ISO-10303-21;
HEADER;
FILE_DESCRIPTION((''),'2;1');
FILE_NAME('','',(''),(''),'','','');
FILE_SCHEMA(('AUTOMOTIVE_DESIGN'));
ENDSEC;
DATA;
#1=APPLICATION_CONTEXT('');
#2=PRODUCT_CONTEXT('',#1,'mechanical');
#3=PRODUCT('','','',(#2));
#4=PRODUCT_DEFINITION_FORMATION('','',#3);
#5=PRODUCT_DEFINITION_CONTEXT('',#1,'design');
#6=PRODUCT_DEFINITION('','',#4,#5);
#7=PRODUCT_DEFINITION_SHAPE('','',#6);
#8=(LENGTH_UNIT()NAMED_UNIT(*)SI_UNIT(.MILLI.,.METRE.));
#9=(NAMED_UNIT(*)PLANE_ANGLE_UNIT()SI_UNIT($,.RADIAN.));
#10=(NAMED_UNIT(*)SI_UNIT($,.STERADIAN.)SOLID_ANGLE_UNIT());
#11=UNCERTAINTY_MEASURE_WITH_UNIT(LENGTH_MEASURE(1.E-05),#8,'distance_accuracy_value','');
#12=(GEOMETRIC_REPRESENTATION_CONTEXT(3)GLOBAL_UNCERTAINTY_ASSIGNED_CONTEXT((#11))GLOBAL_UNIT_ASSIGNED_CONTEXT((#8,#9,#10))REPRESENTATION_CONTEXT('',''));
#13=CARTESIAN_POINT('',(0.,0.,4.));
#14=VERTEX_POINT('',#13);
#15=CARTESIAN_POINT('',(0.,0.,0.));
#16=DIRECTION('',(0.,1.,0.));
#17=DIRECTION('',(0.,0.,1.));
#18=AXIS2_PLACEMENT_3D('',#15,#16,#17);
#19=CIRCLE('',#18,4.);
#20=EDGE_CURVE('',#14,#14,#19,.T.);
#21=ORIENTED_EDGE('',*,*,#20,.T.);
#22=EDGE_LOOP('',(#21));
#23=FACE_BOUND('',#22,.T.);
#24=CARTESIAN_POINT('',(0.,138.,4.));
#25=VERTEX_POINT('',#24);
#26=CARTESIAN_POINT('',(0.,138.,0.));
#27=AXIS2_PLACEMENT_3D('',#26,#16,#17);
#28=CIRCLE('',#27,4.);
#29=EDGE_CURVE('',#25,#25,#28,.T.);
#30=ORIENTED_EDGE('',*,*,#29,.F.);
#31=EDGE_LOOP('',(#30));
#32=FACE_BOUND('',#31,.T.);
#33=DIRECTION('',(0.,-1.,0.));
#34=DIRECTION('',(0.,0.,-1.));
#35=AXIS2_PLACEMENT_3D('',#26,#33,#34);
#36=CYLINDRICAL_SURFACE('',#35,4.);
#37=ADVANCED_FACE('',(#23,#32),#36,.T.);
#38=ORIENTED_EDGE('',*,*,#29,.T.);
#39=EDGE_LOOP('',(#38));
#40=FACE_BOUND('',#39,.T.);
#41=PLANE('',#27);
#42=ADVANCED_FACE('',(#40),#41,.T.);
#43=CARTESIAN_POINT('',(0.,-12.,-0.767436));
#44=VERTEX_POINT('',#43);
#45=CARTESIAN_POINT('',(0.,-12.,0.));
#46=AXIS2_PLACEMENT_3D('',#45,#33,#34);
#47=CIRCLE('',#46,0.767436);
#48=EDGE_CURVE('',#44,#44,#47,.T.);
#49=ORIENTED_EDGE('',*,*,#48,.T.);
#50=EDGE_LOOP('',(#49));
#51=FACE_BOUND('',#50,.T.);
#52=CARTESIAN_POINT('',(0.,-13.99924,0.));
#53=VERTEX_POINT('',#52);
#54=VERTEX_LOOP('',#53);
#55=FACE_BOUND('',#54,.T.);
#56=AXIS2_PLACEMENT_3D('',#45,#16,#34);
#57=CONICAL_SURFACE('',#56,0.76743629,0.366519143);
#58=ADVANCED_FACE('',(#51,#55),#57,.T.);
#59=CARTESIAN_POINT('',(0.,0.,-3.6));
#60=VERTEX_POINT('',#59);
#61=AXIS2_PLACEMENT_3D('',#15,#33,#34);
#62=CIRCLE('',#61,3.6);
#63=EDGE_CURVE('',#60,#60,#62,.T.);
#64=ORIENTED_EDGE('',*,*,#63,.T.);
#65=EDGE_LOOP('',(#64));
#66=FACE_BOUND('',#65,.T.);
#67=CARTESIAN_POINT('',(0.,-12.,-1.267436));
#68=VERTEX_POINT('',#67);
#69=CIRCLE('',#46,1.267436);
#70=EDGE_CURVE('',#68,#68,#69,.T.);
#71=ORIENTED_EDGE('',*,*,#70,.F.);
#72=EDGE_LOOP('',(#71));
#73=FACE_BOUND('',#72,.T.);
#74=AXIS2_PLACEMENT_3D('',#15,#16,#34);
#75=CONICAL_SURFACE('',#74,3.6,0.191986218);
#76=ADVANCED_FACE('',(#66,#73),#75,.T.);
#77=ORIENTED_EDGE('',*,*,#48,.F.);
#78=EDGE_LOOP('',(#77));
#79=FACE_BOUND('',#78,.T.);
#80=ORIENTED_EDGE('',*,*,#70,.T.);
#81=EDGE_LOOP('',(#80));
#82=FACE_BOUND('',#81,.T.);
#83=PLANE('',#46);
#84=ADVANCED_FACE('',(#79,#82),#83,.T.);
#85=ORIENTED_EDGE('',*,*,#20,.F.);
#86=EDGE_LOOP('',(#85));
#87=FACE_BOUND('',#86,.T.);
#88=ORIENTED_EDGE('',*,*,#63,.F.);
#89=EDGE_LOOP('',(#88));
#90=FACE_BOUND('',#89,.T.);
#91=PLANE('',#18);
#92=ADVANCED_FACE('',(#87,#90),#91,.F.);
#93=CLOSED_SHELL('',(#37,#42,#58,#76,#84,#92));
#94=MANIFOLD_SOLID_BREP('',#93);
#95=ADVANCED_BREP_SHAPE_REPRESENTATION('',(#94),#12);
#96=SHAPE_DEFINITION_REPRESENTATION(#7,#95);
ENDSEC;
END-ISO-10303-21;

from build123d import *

# Parameters (mm, degrees)
SKETCH1_R           = 4
BOSS_EXTRUDE1_DEPTH = 138
SKETCH2_R           = 3.6
BOSS_EXTRUDE2_DEPTH = 12
BOSS_EXTRUDE2_TAPER = 11


with BuildPart() as part:
    # Sketch1 → Boss-Extrude1 (new body)
    with BuildSketch(Plane(origin=(0, 0, 0), x_dir=(1, 0, 0), z_dir=(0, 1, 0))):
        with Locations(Location((0, 0, 0), (0, 0, 270))):
            Circle(SKETCH1_R)
    extrude(amount=BOSS_EXTRUDE1_DEPTH)

    # Sketch2 → Boss-Extrude2 (add)
    with BuildSketch(Plane.XZ):
        Circle(SKETCH2_R)
    extrude(amount=BOSS_EXTRUDE2_DEPTH, taper=BOSS_EXTRUDE2_TAPER)

    # Boss-Extrude3 cone 1 section (through the dimple's axis) → Boss-Extrude3 (revolve)
    with BuildSketch(Plane(origin=(0, -12, 0), x_dir=(0, 0, 1), z_dir=(1, 0, 0))):
        Polygon((0, 0), (0.76743629, 0), (0, 1.999239888), align=None)
    revolve(axis=Axis((0, -12, 0), (0, -1, 0)))


solid = part.part
